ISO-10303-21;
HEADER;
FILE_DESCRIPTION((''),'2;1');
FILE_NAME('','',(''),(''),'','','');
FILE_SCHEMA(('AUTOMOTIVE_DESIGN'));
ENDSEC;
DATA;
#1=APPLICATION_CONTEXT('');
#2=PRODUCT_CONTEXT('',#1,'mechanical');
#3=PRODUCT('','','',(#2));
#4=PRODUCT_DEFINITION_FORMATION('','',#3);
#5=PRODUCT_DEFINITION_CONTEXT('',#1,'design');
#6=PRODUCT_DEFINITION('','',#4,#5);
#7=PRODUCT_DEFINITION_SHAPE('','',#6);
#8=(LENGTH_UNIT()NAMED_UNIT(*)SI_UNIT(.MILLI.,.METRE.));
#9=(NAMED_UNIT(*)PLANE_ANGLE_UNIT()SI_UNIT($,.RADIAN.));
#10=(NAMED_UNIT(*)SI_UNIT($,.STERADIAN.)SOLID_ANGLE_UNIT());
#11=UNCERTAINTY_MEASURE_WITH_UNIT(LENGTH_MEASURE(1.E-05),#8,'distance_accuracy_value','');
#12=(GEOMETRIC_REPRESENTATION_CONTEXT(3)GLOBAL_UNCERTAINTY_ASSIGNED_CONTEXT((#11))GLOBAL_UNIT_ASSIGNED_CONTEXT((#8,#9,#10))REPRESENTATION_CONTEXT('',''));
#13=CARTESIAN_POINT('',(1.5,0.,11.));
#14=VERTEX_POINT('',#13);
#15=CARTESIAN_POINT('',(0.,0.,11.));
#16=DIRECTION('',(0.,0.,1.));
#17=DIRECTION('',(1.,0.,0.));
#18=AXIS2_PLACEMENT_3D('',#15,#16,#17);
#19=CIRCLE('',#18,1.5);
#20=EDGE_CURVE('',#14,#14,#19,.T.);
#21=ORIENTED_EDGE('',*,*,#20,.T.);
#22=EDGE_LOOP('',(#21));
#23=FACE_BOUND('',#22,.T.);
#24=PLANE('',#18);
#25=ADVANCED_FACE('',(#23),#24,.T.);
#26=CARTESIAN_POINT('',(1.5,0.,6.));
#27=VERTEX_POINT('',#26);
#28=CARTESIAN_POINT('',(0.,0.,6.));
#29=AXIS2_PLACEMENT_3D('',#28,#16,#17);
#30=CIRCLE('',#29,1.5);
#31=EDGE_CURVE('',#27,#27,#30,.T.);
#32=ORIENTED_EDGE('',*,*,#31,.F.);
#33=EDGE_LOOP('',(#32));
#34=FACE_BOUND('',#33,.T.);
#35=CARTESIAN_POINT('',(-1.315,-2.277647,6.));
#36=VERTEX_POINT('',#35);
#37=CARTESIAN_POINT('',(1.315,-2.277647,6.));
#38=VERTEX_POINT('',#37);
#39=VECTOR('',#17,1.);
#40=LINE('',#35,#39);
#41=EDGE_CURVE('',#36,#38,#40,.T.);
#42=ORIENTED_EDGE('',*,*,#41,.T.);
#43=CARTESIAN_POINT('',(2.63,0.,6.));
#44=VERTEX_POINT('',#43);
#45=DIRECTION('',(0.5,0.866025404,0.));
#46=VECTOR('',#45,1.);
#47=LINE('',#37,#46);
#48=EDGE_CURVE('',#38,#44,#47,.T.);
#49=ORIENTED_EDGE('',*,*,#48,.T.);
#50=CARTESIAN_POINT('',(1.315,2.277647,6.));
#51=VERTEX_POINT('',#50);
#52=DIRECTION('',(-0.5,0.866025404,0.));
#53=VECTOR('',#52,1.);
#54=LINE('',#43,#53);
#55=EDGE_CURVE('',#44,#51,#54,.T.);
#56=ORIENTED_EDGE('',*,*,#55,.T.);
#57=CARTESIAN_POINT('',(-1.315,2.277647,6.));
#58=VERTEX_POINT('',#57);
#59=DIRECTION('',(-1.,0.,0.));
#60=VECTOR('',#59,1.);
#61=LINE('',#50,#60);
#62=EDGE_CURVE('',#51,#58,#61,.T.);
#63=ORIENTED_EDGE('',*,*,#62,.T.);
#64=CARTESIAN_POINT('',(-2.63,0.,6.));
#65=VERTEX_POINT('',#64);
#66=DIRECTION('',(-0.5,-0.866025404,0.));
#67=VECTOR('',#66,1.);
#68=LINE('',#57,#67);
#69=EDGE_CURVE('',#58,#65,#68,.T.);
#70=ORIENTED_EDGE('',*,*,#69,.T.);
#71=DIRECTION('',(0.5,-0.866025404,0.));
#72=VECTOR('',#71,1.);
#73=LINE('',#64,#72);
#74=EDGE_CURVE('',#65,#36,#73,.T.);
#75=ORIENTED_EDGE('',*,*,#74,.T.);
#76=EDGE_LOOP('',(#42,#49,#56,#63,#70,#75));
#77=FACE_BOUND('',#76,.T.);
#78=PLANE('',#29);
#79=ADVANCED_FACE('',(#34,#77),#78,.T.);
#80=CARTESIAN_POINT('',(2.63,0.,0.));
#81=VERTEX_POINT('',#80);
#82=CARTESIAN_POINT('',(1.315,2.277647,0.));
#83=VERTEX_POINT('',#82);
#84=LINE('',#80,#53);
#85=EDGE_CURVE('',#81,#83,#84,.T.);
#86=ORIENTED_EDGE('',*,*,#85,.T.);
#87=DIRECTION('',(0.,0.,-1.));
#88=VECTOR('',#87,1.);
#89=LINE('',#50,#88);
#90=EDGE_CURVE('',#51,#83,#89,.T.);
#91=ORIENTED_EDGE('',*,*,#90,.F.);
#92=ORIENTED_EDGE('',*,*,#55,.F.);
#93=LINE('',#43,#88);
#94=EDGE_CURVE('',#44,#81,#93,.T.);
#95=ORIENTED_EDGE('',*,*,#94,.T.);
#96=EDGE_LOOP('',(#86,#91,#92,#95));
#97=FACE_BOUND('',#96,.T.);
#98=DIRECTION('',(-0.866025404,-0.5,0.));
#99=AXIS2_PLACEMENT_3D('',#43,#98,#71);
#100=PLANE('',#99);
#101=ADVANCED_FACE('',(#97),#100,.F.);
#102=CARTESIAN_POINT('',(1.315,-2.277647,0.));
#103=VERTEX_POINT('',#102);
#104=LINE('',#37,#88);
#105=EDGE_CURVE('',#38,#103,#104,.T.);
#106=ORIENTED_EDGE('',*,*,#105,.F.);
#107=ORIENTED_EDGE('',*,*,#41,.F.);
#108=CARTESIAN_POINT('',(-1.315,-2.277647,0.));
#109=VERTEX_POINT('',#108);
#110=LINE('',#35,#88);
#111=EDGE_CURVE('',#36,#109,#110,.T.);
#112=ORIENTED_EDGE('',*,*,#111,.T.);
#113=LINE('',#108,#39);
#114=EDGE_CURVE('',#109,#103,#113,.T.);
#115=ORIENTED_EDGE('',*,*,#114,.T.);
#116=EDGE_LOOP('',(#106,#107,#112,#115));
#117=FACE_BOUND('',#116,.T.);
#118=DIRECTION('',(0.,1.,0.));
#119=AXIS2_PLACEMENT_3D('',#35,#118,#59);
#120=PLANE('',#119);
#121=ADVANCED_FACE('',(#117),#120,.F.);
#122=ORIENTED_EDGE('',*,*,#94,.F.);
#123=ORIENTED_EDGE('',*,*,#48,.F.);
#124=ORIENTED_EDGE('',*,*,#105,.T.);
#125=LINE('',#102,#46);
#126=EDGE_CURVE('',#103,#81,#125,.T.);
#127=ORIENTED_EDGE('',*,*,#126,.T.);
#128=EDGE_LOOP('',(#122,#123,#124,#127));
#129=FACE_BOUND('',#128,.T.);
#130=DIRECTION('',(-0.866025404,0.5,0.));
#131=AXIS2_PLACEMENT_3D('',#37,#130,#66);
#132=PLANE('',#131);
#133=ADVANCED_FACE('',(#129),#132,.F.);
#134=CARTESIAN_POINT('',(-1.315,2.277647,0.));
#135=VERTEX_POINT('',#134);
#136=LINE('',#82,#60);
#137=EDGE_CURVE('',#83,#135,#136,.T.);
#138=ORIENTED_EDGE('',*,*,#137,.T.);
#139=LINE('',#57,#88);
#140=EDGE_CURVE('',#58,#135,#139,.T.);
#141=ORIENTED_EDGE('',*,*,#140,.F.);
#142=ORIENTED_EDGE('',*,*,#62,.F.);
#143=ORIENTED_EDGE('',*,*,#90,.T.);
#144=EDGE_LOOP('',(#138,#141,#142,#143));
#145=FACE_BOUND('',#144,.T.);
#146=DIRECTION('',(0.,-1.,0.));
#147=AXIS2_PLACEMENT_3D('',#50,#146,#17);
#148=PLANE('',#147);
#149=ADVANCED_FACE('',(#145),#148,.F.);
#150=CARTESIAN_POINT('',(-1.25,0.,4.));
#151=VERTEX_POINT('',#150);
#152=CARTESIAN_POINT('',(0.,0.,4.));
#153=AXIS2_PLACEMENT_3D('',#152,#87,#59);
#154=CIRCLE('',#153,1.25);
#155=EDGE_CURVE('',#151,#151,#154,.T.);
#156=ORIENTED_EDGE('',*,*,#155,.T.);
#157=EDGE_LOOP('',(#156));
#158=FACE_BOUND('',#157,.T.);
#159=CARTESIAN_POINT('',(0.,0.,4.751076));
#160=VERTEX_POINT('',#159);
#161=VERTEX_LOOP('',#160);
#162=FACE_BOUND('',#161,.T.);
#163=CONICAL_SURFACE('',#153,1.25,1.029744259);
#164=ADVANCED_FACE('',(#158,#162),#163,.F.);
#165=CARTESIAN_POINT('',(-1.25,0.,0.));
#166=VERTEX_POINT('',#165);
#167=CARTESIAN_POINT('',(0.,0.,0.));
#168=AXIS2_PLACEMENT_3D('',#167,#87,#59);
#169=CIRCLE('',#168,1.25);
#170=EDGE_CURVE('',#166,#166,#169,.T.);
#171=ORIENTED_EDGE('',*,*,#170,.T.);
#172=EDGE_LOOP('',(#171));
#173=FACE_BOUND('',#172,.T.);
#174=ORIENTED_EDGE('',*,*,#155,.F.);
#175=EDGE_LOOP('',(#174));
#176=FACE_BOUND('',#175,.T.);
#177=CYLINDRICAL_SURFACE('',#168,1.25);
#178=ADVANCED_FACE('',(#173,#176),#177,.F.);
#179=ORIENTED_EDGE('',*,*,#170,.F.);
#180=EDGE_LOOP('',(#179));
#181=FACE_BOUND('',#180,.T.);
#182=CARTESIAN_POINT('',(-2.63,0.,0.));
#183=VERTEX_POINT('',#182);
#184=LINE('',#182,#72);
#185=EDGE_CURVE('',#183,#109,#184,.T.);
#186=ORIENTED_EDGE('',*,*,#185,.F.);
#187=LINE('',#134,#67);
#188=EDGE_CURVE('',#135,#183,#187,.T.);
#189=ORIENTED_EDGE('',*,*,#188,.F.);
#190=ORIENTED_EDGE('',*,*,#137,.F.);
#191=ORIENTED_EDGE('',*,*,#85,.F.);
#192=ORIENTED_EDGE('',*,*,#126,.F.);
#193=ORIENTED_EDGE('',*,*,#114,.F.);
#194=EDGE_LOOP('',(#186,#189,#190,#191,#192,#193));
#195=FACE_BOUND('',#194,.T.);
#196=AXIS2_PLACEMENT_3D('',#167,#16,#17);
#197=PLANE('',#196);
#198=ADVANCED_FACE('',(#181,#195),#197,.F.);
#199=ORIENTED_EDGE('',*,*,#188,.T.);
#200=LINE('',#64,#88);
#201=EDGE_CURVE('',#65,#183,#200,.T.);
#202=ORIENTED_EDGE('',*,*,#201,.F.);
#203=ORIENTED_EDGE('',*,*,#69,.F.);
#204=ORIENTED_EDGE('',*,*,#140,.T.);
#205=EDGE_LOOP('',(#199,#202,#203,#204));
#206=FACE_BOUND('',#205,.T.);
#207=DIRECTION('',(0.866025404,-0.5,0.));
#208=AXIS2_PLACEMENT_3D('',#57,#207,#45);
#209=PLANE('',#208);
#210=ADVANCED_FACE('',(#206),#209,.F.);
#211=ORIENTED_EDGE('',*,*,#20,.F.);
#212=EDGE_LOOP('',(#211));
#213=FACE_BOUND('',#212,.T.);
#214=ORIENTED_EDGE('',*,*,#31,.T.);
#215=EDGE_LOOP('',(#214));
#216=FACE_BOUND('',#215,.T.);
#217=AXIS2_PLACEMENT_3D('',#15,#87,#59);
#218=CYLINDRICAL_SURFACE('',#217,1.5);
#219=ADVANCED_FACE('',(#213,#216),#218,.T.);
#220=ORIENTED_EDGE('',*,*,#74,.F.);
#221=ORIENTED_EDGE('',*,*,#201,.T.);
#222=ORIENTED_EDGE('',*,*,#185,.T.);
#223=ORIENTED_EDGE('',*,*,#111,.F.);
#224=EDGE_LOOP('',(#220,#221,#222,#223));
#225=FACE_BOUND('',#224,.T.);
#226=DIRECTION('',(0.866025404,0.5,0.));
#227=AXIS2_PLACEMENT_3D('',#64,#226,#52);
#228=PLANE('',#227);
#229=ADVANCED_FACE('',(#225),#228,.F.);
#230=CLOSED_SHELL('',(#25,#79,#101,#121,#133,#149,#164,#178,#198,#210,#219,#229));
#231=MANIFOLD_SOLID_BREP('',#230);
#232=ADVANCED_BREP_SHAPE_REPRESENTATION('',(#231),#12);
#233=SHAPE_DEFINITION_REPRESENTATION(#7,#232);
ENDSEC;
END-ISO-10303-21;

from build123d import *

# Parameters (mm, degrees)
EXTRUDE_1_DEPTH = 6
M3X0_5_1_D      = 2.5
M3X0_5_1_DEPTH  = 4
M3X0_5_1_TIP    = 0.751075774
SKETCH_5_R      = 1.5
EXTRUDE_2_DEPTH = 5


with BuildPart() as part:
    # 草圖1 → 填料-伸長1 (new body)
    with BuildSketch(Plane.XY):
        Polygon((2.63, 0), (1.315, 2.277646812), (-1.315, 2.277646812), (-2.63, 0), (-1.315, -2.277646812), (1.315, -2.277646812), align=None)
    extrude(amount=EXTRUDE_1_DEPTH)

    # M3x0.5 螺紋孔1
    with Locations(Plane(origin=(0, 0, 0), x_dir=(-1, 0, 0), z_dir=(0, 0, -1))):
        with Locations((0, 0)):
            Hole(M3X0_5_1_D / 2, depth=M3X0_5_1_DEPTH)
            with Locations((0, 0, -(M3X0_5_1_DEPTH + M3X0_5_1_TIP / 2))):  # 118° drill point
                Cone(0, M3X0_5_1_D / 2, M3X0_5_1_TIP, mode=Mode.SUBTRACT)

    # 草圖5 → 填料-伸長2 (add)
    with BuildSketch(Plane.XY.offset(6)):
        Circle(SKETCH_5_R)
    extrude(amount=EXTRUDE_2_DEPTH)


solid = part.part
